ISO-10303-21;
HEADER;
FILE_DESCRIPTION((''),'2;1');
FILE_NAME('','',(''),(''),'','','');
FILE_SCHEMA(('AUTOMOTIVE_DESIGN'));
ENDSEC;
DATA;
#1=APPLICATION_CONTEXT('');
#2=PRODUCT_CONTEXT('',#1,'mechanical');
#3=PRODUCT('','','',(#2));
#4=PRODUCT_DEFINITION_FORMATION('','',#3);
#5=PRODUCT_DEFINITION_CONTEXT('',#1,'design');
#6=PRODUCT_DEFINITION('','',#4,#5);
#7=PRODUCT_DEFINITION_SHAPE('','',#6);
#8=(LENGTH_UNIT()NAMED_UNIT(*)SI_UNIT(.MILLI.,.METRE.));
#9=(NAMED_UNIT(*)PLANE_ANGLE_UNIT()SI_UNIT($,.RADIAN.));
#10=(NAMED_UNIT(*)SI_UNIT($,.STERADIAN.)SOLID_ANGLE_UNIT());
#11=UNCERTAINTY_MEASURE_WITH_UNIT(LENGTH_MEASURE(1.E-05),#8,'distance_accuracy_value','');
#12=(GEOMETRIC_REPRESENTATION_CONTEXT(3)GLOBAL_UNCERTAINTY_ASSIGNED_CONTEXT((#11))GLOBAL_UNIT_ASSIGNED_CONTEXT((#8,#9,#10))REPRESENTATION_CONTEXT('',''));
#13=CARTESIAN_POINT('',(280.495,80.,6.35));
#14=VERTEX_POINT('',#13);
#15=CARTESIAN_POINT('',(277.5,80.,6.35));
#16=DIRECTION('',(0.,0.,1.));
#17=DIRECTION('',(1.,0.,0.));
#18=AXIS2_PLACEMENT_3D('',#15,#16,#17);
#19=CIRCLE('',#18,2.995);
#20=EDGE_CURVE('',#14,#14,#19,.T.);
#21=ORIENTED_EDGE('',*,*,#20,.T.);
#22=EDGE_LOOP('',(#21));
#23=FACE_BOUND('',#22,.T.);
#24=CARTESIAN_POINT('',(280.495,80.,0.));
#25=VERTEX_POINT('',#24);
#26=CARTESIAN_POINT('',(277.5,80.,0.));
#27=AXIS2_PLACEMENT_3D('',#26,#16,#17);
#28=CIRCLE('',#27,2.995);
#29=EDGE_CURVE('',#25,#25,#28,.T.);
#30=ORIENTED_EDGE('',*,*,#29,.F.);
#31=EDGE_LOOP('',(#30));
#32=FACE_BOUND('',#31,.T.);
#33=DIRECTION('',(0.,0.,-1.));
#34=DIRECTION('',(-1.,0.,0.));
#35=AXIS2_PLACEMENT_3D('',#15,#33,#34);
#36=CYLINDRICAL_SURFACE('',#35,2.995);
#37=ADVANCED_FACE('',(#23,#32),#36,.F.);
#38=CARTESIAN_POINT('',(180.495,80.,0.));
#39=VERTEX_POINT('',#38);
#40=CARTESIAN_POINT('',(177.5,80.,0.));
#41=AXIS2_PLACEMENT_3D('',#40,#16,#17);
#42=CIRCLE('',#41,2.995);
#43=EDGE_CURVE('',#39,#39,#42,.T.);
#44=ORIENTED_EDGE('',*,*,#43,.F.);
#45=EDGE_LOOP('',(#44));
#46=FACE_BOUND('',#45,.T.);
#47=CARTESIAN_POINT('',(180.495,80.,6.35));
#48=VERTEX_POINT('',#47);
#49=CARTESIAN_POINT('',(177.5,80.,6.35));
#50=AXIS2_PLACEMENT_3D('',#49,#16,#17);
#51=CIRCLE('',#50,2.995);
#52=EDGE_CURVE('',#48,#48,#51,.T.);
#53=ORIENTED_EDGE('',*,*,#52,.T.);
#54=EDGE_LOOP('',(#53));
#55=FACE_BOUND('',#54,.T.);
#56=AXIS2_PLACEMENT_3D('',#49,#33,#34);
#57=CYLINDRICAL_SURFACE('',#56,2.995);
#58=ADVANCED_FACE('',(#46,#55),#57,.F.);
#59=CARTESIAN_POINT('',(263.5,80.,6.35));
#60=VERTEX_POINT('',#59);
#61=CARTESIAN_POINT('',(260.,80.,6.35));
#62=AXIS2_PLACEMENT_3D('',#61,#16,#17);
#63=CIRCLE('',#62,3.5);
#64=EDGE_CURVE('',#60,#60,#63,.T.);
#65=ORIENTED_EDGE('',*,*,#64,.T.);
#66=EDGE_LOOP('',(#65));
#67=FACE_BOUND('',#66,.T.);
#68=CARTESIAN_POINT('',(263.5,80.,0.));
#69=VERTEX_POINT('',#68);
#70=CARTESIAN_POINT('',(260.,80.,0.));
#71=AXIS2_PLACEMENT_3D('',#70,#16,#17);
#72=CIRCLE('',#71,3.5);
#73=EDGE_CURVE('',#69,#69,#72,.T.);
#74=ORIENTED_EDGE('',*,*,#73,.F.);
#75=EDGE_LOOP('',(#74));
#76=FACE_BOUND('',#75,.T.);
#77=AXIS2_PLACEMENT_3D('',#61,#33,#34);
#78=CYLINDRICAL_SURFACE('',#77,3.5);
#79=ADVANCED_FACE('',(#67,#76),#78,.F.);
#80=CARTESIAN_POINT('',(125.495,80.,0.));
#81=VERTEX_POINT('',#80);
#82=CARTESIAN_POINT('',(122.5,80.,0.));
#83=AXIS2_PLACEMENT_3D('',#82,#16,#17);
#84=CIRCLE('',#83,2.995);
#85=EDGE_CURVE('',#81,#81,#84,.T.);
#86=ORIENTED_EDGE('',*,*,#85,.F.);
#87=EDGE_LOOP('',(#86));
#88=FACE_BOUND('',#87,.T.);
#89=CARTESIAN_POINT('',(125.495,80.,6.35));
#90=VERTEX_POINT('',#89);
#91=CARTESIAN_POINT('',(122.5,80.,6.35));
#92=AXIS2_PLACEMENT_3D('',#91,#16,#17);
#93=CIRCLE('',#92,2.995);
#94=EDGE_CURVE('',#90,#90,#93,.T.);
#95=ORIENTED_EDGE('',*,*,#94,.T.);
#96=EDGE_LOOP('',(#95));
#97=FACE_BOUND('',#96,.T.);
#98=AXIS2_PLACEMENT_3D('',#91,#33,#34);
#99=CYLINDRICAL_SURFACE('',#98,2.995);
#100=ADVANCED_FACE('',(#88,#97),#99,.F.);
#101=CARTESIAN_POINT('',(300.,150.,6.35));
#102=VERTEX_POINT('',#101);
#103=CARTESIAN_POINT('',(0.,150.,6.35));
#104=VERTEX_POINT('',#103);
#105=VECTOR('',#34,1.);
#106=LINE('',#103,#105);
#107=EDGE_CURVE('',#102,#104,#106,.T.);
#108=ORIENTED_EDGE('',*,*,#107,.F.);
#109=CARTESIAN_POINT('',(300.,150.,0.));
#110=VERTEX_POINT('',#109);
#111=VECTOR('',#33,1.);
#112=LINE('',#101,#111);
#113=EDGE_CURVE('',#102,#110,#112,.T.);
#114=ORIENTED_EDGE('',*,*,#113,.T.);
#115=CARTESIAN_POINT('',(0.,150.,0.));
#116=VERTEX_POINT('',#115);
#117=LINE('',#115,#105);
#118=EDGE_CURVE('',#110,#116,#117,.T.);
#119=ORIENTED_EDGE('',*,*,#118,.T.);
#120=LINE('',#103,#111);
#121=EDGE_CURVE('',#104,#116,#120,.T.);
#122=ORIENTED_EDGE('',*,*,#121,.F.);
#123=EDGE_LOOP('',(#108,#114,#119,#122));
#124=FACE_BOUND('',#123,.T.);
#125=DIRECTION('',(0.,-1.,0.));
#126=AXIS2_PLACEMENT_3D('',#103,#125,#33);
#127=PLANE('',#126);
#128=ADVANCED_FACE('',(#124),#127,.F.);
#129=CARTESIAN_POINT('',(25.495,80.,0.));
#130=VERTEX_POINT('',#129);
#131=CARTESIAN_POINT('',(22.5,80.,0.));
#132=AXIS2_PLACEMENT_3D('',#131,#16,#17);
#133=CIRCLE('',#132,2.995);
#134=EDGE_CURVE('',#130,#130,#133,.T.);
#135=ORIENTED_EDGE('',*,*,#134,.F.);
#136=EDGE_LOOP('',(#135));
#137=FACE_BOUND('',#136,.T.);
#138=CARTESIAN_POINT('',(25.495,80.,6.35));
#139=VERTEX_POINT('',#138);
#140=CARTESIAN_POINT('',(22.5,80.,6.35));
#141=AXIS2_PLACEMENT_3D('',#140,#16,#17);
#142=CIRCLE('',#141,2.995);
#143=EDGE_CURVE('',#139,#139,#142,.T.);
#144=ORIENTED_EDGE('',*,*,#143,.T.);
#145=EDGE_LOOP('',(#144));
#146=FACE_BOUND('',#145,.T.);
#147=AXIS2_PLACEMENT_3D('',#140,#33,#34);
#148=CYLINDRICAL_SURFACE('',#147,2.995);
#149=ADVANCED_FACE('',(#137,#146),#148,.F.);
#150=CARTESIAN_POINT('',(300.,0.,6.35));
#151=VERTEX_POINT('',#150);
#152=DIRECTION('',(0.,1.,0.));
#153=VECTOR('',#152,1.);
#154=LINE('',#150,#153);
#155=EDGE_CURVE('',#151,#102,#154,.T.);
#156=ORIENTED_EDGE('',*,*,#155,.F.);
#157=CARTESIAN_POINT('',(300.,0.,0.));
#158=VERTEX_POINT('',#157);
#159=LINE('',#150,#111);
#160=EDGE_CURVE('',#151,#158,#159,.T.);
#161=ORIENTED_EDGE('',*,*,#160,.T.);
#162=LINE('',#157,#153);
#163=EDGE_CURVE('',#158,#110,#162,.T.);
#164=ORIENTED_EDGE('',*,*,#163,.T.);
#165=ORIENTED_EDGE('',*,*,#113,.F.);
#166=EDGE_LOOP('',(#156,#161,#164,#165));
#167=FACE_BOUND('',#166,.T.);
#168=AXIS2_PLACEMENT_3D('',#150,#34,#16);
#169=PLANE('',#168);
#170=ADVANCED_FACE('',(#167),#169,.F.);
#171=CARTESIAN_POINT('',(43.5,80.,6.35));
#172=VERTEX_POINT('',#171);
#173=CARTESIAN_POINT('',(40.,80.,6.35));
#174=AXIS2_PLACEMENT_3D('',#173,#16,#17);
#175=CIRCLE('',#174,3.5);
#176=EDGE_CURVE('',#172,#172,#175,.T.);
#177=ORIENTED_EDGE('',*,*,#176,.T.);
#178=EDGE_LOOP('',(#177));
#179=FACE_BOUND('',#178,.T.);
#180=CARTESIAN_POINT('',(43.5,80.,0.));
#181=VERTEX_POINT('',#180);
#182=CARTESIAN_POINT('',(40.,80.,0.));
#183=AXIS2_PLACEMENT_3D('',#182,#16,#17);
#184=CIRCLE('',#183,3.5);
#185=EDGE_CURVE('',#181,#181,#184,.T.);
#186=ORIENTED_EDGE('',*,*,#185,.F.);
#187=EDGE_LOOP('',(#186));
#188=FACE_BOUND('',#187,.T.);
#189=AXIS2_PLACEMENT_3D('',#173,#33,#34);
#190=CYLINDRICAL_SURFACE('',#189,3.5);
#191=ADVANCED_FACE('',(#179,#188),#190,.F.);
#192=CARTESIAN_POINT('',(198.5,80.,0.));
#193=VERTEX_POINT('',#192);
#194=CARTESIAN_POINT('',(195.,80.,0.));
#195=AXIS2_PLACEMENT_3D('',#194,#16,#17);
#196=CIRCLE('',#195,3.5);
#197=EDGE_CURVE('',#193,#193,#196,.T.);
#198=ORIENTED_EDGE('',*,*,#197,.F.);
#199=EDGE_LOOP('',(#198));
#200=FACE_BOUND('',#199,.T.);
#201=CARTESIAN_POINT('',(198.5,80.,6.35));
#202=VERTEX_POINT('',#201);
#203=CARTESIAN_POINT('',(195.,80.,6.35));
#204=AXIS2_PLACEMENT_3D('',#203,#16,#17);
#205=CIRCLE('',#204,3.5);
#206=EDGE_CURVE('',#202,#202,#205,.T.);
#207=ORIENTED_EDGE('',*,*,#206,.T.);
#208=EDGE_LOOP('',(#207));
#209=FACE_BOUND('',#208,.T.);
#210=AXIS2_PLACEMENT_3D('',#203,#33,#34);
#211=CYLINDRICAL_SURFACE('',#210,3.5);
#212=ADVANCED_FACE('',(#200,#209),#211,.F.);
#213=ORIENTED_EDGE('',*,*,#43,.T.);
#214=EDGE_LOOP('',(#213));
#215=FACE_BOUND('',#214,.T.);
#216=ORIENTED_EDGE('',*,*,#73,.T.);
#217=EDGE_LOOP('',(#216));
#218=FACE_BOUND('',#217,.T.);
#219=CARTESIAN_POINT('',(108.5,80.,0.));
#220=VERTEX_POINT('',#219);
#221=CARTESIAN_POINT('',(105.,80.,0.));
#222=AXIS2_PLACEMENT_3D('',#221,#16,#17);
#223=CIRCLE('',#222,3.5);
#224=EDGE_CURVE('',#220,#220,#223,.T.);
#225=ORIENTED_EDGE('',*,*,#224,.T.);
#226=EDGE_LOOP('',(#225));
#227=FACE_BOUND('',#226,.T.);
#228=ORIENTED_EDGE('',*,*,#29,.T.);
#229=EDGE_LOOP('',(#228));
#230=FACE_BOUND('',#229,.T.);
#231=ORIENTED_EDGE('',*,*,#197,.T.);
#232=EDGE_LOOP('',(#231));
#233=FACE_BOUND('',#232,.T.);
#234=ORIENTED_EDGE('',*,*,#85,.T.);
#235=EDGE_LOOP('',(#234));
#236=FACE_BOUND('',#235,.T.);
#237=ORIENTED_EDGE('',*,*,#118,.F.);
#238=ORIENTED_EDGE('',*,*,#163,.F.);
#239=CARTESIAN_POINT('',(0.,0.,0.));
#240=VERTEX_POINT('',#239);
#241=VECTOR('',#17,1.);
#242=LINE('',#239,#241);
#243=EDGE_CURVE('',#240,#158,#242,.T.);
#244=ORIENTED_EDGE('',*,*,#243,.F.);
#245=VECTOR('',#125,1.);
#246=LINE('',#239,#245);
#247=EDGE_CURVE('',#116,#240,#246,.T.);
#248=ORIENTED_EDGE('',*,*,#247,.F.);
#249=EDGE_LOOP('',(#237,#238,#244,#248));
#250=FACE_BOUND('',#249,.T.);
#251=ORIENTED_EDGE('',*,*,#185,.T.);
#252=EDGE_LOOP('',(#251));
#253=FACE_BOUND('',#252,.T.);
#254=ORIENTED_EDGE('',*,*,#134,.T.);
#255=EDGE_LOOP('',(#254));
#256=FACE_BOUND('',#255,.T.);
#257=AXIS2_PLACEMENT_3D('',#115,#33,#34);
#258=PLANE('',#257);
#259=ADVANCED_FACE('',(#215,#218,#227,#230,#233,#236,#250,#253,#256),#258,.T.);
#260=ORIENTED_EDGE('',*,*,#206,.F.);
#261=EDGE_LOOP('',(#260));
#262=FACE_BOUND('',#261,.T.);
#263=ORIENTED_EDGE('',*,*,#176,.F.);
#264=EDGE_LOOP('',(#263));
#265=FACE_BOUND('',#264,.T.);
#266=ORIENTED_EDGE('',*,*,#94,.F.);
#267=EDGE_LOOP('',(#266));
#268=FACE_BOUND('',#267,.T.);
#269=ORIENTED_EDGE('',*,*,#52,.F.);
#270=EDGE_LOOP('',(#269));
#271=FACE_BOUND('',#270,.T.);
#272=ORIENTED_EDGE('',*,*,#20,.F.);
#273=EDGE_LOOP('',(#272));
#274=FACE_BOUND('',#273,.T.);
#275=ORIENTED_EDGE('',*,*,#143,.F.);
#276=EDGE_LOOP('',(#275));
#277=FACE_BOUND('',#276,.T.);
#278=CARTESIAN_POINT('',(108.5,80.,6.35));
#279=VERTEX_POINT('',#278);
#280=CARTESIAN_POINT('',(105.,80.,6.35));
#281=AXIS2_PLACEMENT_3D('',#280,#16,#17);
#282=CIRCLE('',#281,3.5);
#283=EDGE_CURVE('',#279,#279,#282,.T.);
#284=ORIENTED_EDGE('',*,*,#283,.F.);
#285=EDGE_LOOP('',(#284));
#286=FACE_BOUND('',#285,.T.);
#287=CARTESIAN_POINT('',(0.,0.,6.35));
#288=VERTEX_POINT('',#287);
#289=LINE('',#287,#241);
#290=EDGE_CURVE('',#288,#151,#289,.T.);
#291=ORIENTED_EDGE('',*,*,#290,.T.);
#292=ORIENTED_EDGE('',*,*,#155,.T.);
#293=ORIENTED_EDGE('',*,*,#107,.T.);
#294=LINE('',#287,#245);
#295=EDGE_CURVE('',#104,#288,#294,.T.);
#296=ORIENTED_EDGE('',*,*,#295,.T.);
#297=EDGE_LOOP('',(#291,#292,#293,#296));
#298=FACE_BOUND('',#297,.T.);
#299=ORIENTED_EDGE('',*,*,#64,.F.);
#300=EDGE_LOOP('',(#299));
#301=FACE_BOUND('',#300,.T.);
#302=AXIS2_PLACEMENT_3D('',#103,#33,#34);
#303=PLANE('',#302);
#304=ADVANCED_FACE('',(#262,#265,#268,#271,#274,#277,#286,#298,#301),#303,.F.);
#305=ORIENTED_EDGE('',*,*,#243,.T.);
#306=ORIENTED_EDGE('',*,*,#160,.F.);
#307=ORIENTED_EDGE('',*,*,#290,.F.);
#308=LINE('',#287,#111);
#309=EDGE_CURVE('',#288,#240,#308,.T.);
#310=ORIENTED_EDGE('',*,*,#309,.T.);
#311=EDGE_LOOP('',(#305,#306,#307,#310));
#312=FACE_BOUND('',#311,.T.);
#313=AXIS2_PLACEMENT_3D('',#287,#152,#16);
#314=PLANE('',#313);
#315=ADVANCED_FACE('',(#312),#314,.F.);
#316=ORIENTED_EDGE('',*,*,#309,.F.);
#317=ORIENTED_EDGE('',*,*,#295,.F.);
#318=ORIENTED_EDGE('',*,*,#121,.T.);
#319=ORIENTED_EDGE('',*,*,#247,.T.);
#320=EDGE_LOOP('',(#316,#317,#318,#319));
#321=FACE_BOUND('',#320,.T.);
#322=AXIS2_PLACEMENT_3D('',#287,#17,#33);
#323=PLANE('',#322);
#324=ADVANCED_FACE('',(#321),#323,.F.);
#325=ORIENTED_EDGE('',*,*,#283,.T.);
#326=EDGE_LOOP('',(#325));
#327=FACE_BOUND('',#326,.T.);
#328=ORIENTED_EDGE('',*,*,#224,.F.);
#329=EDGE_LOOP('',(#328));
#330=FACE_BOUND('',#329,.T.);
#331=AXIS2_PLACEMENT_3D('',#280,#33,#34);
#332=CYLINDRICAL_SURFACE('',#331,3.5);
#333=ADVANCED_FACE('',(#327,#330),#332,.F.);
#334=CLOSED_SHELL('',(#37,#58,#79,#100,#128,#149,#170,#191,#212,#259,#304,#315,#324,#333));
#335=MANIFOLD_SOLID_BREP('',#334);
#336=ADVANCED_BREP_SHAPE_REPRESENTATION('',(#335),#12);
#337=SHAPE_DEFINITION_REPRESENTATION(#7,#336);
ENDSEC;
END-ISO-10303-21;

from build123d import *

# Parameters (mm, degrees)
SKETCH1_W           = 300
SKETCH1_H           = 150
SKETCH1_R           = 2.995
SKETCH1_R_2         = 3.5
BOSS_EXTRUDE1_DEPTH = 6.35


with BuildPart() as part:
    # Sketch1 → Boss-Extrude1 (new body)
    with BuildSketch(Plane.XY):
        with Locations((150, 75)):
            Rectangle(SKETCH1_W, SKETCH1_H)
        with Locations((22.5, 80)):
            Circle(SKETCH1_R, mode=Mode.SUBTRACT)
        with Locations((122.5, 80)):
            Circle(SKETCH1_R, mode=Mode.SUBTRACT)
        with Locations((277.5, 80)):
            Circle(SKETCH1_R, mode=Mode.SUBTRACT)
        with Locations((177.5, 80)):
            Circle(SKETCH1_R, mode=Mode.SUBTRACT)
        with Locations((40, 80)):
            Circle(SKETCH1_R_2, mode=Mode.SUBTRACT)
        with Locations((105, 80)):
            Circle(SKETCH1_R_2, mode=Mode.SUBTRACT)
        with Locations((195, 80)):
            Circle(SKETCH1_R_2, mode=Mode.SUBTRACT)
        with Locations((260, 80)):
            Circle(SKETCH1_R_2, mode=Mode.SUBTRACT)
    extrude(amount=BOSS_EXTRUDE1_DEPTH)


solid = part.part
